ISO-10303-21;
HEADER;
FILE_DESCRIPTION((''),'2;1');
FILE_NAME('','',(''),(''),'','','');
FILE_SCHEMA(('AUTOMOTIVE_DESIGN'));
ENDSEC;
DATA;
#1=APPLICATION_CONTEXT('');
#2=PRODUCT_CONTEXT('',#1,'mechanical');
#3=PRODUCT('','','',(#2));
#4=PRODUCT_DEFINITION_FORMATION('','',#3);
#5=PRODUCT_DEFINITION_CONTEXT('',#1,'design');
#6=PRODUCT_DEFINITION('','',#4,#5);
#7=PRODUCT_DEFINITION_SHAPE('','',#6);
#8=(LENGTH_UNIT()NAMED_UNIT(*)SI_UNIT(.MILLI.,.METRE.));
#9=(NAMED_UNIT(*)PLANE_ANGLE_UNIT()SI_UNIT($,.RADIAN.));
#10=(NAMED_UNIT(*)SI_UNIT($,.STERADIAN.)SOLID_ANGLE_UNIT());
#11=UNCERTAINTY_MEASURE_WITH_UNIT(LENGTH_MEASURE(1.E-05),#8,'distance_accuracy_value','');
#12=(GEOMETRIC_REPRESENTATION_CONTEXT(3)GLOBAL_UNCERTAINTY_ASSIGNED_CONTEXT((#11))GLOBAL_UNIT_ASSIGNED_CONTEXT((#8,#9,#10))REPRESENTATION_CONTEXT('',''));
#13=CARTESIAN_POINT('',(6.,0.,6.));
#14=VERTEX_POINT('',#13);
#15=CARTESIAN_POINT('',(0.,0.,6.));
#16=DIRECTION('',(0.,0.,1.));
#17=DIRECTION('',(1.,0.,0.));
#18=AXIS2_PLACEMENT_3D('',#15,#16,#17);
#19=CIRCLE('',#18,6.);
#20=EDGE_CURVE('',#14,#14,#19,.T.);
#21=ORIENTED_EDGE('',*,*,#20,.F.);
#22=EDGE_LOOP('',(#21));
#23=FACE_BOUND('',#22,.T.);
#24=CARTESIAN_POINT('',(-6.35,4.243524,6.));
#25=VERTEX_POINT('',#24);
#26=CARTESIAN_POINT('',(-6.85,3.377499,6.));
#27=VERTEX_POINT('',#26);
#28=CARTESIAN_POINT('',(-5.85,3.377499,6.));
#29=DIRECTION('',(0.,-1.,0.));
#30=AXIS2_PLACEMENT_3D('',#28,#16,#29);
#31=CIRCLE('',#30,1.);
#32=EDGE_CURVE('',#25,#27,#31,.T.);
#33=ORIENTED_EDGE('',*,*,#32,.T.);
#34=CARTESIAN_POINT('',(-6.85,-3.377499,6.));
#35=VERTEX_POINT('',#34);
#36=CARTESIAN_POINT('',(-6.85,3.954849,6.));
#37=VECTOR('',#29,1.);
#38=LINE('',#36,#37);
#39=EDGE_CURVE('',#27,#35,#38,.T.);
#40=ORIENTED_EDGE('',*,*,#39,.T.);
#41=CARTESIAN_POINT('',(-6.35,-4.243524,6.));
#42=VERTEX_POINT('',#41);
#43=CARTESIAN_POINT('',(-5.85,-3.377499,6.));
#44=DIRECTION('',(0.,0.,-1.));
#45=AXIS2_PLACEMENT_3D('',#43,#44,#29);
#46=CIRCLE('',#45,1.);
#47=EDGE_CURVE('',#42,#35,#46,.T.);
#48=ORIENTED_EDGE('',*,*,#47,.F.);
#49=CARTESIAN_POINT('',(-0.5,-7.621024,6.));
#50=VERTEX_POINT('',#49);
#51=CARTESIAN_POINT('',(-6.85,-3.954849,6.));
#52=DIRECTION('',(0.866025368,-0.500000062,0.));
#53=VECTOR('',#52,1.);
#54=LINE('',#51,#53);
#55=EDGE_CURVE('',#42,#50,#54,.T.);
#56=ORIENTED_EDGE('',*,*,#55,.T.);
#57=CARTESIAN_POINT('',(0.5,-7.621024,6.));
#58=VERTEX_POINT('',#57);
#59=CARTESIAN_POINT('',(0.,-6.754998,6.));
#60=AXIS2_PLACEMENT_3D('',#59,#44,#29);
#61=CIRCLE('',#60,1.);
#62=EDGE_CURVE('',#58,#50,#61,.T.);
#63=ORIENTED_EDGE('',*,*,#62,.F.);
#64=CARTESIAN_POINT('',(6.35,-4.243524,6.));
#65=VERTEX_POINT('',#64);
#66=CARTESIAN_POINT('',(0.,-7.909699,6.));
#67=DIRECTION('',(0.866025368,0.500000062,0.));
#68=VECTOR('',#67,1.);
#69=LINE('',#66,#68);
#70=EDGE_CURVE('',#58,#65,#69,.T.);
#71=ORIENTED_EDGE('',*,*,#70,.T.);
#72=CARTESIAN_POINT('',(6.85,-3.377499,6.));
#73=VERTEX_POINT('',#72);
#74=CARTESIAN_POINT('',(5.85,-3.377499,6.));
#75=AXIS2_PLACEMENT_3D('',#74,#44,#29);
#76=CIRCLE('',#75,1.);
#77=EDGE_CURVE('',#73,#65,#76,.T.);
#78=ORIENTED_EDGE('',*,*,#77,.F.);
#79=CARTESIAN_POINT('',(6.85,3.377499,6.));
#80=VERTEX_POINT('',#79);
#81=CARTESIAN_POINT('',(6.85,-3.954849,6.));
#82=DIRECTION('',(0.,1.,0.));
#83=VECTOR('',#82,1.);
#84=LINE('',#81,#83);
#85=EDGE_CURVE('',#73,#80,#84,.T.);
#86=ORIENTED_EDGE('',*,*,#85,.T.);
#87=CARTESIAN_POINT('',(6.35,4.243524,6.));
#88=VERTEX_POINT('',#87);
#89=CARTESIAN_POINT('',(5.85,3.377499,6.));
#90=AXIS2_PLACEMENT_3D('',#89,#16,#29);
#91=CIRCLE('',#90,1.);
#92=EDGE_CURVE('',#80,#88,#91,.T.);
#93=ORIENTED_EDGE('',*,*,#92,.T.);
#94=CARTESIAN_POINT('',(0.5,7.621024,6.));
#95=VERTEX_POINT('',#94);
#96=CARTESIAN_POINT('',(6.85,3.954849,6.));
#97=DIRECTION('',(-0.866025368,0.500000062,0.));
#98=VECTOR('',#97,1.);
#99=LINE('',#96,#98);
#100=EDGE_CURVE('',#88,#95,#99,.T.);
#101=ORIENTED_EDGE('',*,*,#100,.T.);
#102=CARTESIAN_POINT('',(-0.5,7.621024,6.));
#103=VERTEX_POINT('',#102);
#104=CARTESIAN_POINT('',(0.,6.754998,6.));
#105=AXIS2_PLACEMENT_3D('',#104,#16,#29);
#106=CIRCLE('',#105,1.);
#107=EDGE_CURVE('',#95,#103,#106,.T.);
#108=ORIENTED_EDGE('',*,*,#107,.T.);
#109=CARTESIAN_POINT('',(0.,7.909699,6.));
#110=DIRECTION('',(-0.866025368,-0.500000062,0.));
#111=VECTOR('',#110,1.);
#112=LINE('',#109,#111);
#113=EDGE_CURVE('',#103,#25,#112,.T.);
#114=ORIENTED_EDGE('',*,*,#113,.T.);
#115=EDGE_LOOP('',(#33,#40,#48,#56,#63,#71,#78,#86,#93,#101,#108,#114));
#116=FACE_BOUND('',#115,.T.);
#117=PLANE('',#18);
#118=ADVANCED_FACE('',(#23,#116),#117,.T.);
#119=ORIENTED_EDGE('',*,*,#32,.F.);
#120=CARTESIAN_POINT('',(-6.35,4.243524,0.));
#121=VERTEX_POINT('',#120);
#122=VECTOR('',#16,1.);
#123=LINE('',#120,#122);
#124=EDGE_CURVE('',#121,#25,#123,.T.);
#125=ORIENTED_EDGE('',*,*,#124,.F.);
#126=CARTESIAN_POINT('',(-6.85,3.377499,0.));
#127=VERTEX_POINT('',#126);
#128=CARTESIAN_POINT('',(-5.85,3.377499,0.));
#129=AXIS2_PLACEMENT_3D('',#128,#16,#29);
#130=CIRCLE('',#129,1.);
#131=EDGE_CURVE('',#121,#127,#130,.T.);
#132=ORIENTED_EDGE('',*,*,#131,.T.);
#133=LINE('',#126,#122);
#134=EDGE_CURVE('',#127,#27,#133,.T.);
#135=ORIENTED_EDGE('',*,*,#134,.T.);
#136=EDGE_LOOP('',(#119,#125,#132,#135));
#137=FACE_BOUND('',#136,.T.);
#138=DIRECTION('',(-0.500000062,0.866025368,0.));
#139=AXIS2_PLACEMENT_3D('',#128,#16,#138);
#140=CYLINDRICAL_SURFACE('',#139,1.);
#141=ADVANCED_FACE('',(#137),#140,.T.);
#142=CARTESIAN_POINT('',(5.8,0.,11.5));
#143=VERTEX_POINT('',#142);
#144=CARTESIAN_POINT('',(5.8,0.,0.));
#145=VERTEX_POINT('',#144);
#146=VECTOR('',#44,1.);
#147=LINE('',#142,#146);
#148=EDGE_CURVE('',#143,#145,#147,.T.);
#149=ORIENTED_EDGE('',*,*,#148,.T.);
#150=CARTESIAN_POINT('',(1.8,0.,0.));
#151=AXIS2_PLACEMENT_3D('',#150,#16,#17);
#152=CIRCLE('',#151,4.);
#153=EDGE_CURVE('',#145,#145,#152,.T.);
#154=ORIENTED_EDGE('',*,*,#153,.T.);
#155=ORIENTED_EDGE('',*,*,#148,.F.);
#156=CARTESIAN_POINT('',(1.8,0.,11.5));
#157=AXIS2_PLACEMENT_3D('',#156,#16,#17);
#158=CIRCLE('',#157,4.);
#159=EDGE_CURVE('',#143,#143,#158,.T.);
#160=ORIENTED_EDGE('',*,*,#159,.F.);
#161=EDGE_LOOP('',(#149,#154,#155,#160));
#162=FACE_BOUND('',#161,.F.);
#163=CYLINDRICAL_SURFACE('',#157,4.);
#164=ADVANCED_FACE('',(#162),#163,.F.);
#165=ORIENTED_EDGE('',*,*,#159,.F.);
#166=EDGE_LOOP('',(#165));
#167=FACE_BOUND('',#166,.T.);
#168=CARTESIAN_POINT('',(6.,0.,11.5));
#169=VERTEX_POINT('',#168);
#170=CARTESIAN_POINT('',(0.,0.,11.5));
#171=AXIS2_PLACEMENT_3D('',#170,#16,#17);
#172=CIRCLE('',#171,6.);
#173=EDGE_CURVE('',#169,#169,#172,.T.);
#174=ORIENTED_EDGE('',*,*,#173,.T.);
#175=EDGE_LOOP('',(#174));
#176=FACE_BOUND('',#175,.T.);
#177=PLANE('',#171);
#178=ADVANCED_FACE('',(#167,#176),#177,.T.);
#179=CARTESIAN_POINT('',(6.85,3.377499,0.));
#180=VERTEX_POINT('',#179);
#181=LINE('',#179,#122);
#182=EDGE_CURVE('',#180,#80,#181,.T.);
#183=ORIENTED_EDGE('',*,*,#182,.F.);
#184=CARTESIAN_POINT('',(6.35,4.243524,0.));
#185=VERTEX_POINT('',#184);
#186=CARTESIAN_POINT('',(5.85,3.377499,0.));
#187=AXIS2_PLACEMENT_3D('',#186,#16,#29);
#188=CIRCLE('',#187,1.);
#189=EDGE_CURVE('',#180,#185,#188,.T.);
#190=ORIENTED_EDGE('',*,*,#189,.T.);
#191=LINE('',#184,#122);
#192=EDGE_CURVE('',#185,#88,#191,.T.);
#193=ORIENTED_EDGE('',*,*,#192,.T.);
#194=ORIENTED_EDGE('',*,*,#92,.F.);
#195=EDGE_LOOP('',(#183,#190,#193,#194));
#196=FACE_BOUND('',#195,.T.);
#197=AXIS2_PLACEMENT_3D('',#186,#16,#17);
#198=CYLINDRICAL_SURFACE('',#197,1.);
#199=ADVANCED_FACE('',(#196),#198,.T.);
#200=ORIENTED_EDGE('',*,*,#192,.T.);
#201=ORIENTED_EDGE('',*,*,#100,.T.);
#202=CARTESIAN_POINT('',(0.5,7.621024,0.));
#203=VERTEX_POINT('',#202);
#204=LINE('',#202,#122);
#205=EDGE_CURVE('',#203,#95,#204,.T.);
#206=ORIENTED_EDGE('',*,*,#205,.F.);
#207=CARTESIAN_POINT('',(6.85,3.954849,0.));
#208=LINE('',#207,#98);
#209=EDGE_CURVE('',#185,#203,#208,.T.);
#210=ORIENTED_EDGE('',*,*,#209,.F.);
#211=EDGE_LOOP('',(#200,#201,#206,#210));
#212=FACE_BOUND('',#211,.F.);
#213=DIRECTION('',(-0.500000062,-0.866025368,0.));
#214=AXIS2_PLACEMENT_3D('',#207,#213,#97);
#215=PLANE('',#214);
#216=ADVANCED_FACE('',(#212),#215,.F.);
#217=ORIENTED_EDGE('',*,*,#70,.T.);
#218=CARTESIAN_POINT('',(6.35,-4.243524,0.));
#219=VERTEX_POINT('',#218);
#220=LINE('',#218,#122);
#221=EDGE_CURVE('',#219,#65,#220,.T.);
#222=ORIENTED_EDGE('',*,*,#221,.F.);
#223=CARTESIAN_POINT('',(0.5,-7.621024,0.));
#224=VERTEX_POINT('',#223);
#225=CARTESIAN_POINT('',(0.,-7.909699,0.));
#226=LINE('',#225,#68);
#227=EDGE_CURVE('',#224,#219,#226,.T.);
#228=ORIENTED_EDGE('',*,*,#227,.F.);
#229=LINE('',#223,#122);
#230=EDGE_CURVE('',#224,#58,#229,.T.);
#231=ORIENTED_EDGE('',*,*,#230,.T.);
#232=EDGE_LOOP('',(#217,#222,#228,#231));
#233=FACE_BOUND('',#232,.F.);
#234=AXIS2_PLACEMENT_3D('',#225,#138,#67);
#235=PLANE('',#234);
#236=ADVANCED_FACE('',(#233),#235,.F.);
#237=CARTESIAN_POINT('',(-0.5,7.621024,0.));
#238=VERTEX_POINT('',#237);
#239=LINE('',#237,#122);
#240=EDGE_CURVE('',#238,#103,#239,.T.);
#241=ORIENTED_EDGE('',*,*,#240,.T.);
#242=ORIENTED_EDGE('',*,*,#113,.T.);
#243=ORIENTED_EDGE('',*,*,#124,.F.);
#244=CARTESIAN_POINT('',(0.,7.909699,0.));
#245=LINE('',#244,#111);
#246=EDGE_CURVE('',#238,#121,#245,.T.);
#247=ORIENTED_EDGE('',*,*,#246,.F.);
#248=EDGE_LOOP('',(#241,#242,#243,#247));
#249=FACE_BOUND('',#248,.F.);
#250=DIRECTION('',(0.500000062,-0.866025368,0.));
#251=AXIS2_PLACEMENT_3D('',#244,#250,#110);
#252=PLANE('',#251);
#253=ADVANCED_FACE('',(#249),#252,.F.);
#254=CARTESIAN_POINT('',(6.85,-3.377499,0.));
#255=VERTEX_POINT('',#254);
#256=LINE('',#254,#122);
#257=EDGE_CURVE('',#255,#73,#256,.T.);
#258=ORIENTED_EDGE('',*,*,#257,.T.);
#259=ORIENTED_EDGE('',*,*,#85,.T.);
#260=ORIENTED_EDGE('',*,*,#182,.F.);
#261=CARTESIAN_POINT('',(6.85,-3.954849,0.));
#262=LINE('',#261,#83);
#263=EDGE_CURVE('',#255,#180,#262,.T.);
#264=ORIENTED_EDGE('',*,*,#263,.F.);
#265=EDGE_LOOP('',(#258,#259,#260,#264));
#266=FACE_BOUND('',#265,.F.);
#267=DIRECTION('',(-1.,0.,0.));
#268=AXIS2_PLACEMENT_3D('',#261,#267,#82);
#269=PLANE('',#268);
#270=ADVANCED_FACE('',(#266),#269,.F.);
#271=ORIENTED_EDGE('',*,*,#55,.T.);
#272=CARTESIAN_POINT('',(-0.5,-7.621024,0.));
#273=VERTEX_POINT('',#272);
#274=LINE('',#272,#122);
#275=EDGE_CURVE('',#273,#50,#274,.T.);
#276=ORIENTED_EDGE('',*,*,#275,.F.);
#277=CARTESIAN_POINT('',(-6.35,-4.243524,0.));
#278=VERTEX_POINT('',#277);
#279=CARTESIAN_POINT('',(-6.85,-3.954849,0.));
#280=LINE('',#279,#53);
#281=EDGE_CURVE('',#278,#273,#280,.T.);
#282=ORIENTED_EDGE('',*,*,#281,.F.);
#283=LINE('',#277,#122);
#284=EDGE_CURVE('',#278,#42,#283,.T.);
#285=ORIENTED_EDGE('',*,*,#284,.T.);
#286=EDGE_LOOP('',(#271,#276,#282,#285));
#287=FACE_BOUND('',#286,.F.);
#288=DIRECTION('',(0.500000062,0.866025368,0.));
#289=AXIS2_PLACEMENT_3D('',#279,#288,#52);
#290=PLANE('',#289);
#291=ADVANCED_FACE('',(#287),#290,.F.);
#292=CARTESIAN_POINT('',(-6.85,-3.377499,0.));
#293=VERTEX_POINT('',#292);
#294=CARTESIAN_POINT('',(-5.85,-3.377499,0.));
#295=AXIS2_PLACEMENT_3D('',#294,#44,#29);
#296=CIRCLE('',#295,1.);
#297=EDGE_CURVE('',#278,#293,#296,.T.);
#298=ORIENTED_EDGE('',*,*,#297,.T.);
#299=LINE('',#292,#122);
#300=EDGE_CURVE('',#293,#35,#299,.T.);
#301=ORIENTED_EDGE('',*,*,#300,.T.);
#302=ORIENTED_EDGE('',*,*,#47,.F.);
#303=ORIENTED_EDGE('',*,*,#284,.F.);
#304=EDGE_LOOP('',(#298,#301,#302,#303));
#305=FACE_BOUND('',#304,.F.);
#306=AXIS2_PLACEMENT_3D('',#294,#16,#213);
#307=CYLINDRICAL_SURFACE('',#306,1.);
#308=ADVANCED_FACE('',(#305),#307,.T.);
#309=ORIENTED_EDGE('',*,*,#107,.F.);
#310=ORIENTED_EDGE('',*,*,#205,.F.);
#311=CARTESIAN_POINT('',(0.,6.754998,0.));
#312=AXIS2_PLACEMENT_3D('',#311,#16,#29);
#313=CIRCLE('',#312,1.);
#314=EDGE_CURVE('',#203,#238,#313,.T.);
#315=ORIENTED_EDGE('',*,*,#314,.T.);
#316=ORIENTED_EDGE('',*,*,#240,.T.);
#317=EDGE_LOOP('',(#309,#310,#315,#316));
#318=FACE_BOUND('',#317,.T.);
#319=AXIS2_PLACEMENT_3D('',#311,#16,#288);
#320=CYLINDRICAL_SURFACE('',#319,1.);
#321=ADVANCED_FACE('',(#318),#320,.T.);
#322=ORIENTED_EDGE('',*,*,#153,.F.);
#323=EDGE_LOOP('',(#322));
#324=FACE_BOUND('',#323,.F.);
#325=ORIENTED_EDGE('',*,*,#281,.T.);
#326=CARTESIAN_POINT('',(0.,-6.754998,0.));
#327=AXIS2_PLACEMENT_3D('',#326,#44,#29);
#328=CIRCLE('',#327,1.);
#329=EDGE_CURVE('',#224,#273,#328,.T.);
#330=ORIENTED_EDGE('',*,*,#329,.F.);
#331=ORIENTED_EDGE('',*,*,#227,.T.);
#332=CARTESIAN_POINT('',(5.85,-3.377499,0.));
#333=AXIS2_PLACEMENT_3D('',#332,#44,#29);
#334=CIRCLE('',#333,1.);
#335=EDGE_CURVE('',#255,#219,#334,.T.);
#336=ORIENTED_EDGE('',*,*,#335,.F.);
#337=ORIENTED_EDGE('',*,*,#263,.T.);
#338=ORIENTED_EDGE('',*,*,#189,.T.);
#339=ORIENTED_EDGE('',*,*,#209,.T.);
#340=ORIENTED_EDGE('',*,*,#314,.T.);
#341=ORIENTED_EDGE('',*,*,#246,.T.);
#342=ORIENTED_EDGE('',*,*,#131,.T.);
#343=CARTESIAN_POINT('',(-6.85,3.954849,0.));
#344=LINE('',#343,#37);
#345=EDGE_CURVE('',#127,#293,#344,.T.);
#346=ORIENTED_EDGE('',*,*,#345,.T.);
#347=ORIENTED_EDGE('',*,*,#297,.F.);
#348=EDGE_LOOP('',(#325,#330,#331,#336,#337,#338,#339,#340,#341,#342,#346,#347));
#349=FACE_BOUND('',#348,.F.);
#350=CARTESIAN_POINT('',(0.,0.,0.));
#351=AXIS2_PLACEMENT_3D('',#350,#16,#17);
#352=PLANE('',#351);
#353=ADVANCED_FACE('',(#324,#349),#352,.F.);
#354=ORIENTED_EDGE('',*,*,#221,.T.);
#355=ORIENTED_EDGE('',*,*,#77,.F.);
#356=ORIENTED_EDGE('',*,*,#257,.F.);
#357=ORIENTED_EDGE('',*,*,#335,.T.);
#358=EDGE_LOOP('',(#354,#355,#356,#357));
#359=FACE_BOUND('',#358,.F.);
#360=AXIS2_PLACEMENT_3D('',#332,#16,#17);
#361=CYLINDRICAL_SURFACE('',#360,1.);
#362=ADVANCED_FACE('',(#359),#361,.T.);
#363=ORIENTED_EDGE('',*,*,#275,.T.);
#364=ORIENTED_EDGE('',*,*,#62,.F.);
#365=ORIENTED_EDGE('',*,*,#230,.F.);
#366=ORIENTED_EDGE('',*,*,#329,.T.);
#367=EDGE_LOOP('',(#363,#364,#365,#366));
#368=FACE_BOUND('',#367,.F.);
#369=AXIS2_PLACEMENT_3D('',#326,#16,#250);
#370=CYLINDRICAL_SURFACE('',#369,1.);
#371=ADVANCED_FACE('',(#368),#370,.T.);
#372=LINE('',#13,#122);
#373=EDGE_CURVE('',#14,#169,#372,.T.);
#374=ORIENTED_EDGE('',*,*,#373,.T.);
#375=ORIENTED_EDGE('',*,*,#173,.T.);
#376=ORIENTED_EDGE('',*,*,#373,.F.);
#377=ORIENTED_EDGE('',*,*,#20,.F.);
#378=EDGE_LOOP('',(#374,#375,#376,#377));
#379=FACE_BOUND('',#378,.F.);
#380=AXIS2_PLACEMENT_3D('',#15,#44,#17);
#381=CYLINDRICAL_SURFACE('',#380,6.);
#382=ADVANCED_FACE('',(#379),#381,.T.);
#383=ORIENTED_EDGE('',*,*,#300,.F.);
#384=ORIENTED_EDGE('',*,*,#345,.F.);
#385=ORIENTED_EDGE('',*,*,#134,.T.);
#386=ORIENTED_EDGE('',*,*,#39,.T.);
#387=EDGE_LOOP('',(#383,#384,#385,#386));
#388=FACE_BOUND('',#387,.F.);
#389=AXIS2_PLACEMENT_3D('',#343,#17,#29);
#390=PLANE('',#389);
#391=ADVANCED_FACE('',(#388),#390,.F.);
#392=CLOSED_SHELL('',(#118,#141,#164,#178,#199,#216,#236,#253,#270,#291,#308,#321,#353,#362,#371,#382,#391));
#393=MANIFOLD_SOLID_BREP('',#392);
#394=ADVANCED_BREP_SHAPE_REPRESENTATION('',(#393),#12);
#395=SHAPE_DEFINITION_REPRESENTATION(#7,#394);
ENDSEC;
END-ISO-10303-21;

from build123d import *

# Parameters (mm, degrees)
F1_DEPTH = 6
F2_R     = 6
F3_DEPTH = 5.5
F4_R     = 4
F5_DEPTH = 11.501
F6_R     = 1


with BuildPart() as f1:
    # F0 (on Top) → F1 (new body)
    with BuildSketch(Plane.XY):
        Polygon((6.85, -3.954849), (6.85, 3.954849), (0, 7.909699), (-6.85, 3.954849), (-6.85, -3.954849), (0, -7.909699), align=None)
    extrude(amount=F1_DEPTH)

    # F2 (on face) → F3 (join)
    with BuildSketch(Plane.XY.offset(6)):
        Circle(F2_R)
    extrude(amount=F3_DEPTH)

    # F4 (on face) → F5 (cut, through all)
    with BuildSketch(Plane.XY.offset(11.5)):
        with Locations((1.8, 0)):
            Circle(F4_R)
    extrude(amount=-F5_DEPTH, mode=Mode.SUBTRACT)

    # F6
    f6_edges = [f1.edges().sort_by_distance(p)[0] for p in [
        (6.85, -3.954849, 3),
        (0, -7.909699, 3),
        (6.85, 3.954849, 3),
        (-6.85, -3.954849, 3),
        (-6.85, 3.954849, 3),
        (0, 7.909699, 3),
    ]]
    fillet(f6_edges, radius=F6_R)


solid = f1.part
